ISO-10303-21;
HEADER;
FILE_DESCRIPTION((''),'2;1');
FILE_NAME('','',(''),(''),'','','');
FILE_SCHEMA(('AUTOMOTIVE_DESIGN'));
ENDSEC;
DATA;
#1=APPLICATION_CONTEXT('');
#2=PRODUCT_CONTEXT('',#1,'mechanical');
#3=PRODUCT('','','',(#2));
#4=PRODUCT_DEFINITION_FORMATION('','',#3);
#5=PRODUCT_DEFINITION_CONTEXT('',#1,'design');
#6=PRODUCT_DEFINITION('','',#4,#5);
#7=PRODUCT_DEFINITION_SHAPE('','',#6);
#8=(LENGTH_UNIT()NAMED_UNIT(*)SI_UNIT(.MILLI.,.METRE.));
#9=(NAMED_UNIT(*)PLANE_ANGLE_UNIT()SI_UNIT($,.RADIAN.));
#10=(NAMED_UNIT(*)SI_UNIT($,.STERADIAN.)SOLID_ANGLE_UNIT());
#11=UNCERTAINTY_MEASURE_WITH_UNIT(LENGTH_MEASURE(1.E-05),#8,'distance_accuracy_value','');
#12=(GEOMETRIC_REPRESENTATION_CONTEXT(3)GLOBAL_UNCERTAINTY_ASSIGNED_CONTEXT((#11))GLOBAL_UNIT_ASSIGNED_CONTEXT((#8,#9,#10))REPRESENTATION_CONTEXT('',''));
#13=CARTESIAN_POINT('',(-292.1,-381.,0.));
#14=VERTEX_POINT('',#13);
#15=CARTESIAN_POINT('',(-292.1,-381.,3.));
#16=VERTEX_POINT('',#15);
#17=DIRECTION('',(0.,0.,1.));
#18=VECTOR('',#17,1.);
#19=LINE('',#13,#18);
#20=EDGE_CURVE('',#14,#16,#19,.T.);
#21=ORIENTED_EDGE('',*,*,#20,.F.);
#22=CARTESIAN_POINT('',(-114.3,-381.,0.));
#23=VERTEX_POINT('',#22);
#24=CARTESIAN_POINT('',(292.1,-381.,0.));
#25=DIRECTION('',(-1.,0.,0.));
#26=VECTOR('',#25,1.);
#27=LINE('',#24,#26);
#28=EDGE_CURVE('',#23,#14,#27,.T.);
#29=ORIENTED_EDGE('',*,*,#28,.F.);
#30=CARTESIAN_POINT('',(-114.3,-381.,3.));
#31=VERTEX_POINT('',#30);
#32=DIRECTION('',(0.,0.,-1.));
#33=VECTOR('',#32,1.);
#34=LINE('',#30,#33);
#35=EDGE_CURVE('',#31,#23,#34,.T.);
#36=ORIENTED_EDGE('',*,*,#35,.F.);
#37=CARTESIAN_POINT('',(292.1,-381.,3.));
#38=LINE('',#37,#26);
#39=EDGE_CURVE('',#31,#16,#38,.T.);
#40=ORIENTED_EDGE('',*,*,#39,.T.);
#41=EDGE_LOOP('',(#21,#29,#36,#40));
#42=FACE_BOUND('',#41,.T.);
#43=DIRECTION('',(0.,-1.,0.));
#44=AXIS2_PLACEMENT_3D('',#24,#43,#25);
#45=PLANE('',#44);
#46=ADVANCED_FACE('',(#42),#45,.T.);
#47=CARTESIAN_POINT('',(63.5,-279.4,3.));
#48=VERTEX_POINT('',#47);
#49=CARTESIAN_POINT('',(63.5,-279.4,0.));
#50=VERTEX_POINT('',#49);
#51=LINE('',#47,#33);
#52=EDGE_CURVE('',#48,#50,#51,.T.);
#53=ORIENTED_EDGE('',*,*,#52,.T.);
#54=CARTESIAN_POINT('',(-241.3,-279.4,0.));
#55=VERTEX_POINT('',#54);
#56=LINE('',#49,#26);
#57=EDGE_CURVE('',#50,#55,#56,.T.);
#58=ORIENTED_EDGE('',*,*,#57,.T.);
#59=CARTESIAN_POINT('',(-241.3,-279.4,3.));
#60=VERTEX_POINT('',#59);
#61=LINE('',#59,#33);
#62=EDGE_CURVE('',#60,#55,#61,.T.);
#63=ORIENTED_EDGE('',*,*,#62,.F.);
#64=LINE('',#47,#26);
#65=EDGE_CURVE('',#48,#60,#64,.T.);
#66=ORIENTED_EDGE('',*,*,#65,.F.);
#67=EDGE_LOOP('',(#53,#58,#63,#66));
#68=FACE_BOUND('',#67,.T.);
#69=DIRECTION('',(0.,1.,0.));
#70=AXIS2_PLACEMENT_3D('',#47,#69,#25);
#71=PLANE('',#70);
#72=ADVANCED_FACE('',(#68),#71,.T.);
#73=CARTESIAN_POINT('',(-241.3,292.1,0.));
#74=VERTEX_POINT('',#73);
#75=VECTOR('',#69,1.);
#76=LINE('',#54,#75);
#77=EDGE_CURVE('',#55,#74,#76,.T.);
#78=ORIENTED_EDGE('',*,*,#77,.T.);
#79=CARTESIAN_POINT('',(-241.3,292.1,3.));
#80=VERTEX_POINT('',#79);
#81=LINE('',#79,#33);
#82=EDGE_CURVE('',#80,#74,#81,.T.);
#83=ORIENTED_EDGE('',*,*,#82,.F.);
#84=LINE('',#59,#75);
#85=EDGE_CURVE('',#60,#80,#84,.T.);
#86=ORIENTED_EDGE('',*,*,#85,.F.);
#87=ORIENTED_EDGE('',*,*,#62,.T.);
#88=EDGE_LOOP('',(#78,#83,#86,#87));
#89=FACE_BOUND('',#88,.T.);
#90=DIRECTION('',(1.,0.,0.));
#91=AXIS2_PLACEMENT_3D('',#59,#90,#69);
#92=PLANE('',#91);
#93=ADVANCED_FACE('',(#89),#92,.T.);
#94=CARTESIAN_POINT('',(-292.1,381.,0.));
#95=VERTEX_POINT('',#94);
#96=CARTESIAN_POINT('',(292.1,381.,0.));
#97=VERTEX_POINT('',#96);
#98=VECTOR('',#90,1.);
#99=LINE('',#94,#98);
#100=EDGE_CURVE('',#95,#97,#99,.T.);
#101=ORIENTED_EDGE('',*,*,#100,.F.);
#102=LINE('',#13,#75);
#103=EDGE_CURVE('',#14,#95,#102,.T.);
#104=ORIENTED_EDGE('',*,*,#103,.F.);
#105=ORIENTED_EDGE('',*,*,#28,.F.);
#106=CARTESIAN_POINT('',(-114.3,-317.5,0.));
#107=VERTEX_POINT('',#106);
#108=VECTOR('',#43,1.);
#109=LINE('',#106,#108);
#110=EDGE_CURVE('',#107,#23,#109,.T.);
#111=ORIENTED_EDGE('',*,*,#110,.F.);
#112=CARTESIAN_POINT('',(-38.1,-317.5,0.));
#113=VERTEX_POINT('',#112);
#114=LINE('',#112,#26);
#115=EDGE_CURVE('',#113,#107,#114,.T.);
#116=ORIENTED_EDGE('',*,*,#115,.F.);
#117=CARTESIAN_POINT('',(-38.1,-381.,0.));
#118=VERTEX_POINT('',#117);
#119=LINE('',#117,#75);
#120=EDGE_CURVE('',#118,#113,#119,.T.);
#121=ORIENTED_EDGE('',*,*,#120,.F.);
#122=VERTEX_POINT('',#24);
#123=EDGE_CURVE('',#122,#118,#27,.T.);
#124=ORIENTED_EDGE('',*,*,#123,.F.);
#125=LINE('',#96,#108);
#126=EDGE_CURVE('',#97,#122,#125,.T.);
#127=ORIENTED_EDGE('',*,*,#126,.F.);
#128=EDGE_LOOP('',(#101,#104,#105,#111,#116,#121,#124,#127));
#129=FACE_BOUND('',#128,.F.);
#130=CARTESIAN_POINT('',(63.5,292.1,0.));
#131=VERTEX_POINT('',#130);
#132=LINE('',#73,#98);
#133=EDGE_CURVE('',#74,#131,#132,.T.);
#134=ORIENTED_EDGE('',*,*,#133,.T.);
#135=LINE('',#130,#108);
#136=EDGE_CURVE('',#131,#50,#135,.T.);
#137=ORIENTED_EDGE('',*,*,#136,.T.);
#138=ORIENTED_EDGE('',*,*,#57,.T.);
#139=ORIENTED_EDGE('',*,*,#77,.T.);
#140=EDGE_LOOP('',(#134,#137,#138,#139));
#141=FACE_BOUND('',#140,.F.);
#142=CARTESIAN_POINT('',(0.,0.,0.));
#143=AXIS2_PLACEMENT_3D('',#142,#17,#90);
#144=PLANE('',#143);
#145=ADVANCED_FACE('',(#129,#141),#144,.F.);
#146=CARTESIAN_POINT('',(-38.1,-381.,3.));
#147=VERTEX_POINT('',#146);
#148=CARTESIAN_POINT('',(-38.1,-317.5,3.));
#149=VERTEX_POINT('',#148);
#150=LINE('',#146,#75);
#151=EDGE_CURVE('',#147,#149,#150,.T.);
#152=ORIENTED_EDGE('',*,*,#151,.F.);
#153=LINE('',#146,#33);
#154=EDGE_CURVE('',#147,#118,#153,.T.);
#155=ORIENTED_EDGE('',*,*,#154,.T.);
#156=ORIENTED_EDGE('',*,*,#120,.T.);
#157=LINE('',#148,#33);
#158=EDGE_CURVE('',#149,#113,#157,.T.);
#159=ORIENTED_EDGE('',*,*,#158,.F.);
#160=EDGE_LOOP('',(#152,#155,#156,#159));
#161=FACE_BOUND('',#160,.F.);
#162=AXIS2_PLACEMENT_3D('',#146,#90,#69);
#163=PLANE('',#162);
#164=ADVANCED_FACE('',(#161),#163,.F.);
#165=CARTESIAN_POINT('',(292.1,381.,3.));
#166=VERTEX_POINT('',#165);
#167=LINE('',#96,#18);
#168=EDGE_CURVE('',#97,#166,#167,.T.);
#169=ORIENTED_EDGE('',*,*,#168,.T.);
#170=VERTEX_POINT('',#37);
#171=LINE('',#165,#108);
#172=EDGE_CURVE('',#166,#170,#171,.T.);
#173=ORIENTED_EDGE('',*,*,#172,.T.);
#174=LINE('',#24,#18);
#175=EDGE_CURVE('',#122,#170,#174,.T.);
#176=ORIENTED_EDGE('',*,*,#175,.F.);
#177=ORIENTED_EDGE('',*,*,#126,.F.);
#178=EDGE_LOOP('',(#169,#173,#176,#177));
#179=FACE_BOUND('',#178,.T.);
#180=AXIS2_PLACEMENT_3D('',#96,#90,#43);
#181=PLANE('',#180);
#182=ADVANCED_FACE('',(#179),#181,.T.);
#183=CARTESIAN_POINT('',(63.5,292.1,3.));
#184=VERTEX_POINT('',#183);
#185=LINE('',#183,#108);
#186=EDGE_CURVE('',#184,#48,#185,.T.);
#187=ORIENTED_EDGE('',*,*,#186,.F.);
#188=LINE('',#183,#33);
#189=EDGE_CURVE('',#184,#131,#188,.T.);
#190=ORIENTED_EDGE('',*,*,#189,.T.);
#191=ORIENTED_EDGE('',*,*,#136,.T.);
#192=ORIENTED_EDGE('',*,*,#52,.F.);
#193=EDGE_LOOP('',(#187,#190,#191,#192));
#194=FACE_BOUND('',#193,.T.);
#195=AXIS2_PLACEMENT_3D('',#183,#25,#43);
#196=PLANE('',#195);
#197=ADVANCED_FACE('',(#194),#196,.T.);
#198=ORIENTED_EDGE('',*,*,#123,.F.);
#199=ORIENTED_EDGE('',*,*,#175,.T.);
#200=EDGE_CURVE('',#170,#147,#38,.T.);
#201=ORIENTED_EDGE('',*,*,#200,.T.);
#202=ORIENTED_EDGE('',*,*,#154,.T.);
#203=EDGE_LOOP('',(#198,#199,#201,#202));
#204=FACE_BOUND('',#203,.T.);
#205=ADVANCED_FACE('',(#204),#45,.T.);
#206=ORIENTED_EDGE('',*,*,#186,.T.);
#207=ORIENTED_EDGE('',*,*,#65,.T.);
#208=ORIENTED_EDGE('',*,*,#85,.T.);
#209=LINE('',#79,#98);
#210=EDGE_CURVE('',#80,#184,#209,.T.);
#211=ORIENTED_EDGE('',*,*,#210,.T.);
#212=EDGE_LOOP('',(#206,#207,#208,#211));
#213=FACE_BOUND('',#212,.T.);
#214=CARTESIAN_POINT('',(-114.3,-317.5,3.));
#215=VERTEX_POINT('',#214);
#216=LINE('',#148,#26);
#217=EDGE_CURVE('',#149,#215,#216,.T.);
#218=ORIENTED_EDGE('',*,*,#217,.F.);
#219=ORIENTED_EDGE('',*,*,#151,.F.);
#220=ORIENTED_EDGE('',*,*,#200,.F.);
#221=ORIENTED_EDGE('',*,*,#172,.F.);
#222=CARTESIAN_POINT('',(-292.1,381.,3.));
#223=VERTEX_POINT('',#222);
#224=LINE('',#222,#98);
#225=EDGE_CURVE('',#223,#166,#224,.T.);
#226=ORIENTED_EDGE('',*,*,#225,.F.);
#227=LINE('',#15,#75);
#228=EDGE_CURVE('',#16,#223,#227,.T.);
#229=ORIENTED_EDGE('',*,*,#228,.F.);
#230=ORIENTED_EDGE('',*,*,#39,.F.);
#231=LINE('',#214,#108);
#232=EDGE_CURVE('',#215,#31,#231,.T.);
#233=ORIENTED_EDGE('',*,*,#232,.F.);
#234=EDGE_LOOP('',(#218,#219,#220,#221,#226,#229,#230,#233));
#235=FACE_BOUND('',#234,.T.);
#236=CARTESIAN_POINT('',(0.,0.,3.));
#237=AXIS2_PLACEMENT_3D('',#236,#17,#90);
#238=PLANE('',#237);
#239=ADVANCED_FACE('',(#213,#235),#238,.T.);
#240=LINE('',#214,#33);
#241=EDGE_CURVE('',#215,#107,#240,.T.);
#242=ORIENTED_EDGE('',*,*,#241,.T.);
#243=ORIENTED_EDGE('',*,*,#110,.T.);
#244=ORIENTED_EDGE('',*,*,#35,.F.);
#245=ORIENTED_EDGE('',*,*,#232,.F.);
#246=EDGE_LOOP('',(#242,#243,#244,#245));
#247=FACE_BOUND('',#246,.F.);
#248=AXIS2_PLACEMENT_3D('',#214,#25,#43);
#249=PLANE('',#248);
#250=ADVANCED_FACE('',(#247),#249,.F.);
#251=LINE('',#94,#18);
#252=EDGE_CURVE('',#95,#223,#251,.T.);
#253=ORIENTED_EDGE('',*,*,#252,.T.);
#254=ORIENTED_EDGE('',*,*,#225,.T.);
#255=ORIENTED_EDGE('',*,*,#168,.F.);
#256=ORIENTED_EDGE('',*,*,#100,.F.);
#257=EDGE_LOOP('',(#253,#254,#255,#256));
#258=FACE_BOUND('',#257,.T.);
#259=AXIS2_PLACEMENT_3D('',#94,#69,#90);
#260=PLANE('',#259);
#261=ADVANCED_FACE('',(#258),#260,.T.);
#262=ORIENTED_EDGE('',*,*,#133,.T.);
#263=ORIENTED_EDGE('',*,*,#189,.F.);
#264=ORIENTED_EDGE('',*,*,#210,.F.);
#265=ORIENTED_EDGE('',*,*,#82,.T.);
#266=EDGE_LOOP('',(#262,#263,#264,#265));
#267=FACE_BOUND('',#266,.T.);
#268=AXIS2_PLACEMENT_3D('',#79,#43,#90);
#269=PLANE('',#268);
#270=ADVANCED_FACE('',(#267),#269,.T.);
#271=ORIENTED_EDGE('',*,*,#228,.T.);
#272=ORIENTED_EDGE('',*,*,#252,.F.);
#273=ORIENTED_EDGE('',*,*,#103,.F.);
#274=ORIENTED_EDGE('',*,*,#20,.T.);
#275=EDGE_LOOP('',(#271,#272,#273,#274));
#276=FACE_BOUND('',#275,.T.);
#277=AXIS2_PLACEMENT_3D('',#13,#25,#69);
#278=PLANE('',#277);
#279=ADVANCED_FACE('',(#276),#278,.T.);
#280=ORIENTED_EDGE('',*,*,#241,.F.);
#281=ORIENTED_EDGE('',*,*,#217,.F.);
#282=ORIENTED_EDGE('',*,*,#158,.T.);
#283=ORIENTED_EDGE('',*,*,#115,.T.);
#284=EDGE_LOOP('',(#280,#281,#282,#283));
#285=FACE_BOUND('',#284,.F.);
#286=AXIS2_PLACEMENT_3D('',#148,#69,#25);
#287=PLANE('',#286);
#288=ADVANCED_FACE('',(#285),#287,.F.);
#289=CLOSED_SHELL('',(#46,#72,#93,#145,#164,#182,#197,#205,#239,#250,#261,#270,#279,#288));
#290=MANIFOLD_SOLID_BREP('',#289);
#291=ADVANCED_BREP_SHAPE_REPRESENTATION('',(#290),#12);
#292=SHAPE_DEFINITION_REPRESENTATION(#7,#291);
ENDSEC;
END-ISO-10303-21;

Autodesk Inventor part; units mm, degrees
ref_plane "YZ Plane" through (0, 0, 0) normal (1, 0, 0) x (0, 1, 0)
ref_plane "XZ Plane" through (0, 0, 0) normal (0, 1, 0) x (-1, 0, 0)
ref_plane "XY Plane" through (0, 0, 0) normal (0, 0, 1) x (1, 0, 0)
sketch "Sketch1" plane through (0, 0, 0) normal (0, 0, 1) x (1, 0, 0)
  line L0 (-292.1, 381) -> (292.1, 381)
  line L1 (292.1, 381) -> (292.1, -381)
  line L2 (292.1, -381) -> (-292.1, -381)
  line L3 (-292.1, -381) -> (-292.1, 381)
  point P0 (0, 0)
  point P1 (0, 381)
  point P2 (292.1, 0)
  dimension "d0" = 584.2
  dimension "d1" = 762
extrude "Extrusion1" add sketch "Sketch1" along normal blind 3
sketch "Sketch2" plane through (0, 0, 3) normal (0, 0, 1) x (1, 0, 0)
  line L0 (-292.1, -381) -> (-292.1, 381) projected
  line L1 (292.1, -381) -> (-292.1, -381) projected
  line L2 (-241.3, 292.1) -> (63.5, 292.1)
  line L3 (63.5, 292.1) -> (63.5, -279.4)
  line L4 (63.5, -279.4) -> (-241.3, -279.4)
  line L5 (-241.3, -279.4) -> (-241.3, 292.1)
  line L6 (-114.3, -381) -> (-38.1, -381)
  line L7 (-38.1, -381) -> (-38.1, -317.5)
  line L8 (-38.1, -317.5) -> (-114.3, -317.5)
  line L9 (-114.3, -317.5) -> (-114.3, -381)
  point P0 (0, 0)
  dimension "d4" = 101.6
  dimension "d5" = 50.8
  dimension "d6" = 571.5
  dimension "d7" = 304.8
  dimension "d8" = 177.8
  dimension "d9" = 76.2
  dimension "d10" = 63.5
extrude "Extrusion2" cut sketch "Sketch2" against normal blind 3
properties part number "Right Side"
